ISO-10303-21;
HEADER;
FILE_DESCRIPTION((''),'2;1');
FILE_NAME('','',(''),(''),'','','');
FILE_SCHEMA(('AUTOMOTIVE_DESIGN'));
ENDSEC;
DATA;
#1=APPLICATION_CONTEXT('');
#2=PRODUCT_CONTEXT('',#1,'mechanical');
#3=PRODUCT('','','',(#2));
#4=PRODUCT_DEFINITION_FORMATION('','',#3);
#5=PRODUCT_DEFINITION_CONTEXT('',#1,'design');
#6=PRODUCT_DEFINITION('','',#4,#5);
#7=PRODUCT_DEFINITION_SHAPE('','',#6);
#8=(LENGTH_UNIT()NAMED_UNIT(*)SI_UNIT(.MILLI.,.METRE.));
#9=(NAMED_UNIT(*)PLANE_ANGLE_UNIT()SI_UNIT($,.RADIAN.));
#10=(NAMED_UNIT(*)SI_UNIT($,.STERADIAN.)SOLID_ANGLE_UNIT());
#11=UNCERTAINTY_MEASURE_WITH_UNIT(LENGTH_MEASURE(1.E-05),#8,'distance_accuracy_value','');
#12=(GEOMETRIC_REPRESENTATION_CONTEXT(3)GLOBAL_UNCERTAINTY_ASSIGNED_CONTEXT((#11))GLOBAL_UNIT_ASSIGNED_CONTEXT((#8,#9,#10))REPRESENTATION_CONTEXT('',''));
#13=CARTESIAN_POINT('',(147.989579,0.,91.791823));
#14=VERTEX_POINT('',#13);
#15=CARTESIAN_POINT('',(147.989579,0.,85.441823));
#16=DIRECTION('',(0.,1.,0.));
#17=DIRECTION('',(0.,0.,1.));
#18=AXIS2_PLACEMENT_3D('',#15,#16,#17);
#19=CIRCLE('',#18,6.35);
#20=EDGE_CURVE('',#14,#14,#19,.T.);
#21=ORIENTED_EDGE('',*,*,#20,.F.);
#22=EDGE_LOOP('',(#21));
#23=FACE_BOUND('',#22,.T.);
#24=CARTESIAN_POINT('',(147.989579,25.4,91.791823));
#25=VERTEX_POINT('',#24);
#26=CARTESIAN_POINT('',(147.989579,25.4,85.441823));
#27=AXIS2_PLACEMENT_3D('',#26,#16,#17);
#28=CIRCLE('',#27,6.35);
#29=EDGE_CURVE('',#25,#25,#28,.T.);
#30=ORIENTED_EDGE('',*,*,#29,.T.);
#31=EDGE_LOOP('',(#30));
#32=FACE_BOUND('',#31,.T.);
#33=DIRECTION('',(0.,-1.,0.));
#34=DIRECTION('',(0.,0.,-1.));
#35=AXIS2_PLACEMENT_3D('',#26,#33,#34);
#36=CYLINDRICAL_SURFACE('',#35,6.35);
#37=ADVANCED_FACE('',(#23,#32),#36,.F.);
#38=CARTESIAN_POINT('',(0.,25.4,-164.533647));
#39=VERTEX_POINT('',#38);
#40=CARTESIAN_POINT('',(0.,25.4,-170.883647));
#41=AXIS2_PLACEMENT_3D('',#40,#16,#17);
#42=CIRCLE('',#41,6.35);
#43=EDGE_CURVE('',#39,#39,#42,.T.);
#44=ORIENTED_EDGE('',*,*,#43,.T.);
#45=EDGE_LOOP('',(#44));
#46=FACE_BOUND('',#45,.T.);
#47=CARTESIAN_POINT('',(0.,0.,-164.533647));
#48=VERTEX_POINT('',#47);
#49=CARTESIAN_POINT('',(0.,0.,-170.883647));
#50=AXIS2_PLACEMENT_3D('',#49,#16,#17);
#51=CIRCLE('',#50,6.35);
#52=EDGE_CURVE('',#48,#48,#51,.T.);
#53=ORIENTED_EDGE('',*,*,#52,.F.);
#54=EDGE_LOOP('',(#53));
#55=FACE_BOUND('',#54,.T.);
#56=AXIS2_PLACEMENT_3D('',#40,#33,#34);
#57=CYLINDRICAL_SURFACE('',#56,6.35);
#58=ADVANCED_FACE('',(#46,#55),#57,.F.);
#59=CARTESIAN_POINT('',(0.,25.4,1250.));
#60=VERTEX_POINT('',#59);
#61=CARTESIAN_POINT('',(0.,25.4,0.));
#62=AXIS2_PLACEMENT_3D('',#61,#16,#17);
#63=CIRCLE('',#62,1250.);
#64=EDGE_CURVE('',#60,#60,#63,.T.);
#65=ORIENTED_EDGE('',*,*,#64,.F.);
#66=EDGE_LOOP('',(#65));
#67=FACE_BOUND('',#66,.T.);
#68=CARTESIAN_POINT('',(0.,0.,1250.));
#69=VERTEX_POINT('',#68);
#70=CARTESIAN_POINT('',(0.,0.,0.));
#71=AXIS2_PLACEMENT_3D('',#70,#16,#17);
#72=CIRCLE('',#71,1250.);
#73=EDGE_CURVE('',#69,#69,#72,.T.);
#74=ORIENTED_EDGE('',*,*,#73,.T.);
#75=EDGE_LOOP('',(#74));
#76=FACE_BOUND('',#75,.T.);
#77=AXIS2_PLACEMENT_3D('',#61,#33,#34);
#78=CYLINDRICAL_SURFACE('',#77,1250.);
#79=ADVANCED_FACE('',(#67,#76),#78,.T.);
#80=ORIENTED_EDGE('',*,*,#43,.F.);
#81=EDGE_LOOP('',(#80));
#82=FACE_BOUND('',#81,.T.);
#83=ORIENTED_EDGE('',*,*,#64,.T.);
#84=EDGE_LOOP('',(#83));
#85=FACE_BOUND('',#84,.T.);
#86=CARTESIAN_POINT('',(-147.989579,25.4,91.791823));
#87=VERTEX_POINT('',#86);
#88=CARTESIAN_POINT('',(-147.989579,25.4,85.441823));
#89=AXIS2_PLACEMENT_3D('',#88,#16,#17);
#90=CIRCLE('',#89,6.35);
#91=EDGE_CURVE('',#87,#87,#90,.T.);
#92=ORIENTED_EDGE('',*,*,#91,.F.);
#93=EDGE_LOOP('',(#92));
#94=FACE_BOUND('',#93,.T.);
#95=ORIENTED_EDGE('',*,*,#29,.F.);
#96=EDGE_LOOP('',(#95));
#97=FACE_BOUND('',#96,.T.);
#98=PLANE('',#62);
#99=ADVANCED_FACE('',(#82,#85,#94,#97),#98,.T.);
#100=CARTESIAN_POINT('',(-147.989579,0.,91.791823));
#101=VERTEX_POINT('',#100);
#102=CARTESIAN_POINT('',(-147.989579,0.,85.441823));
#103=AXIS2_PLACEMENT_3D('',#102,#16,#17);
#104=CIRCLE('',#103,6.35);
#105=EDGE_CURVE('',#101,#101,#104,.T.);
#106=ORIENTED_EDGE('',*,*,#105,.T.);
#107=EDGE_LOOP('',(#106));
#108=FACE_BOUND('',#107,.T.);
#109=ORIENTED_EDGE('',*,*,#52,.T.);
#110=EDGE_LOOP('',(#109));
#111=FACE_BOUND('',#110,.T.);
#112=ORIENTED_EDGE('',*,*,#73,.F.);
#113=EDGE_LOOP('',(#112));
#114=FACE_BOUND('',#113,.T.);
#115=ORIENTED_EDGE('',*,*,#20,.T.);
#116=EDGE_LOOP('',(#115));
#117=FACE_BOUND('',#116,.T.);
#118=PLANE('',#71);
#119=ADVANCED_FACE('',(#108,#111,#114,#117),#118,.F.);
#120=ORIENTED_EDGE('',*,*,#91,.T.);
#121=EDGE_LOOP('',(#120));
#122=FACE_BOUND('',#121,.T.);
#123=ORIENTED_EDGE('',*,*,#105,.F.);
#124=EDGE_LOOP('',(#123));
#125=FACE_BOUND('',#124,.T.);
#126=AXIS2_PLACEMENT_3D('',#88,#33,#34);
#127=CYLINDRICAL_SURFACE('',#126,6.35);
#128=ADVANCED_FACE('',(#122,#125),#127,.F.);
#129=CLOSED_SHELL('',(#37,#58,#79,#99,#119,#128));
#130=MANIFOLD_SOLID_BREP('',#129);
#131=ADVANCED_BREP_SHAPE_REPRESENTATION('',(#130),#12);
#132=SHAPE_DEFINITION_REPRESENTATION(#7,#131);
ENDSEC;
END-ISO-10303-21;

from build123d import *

# Parameters (mm, degrees)
SKETCH1_R           = 1250
SKETCH1_R_2         = 6.35
BOSS_EXTRUDE1_DEPTH = 25.4


with BuildPart() as part:
    # Sketch1 → Boss-Extrude1 (new body)
    with BuildSketch(Plane(origin=(0, 0, 0), x_dir=(1, 0, 0), z_dir=(0, 1, 0))):
        Circle(SKETCH1_R)
        with Locations((-147.989579257, -85.441823421)):
            Circle(SKETCH1_R_2, mode=Mode.SUBTRACT)
        with Locations((147.989579257, -85.441823421)):
            Circle(SKETCH1_R_2, mode=Mode.SUBTRACT)
        with Locations((0, 170.883646843)):
            Circle(SKETCH1_R_2, mode=Mode.SUBTRACT)
    extrude(amount=BOSS_EXTRUDE1_DEPTH)


solid = part.part
